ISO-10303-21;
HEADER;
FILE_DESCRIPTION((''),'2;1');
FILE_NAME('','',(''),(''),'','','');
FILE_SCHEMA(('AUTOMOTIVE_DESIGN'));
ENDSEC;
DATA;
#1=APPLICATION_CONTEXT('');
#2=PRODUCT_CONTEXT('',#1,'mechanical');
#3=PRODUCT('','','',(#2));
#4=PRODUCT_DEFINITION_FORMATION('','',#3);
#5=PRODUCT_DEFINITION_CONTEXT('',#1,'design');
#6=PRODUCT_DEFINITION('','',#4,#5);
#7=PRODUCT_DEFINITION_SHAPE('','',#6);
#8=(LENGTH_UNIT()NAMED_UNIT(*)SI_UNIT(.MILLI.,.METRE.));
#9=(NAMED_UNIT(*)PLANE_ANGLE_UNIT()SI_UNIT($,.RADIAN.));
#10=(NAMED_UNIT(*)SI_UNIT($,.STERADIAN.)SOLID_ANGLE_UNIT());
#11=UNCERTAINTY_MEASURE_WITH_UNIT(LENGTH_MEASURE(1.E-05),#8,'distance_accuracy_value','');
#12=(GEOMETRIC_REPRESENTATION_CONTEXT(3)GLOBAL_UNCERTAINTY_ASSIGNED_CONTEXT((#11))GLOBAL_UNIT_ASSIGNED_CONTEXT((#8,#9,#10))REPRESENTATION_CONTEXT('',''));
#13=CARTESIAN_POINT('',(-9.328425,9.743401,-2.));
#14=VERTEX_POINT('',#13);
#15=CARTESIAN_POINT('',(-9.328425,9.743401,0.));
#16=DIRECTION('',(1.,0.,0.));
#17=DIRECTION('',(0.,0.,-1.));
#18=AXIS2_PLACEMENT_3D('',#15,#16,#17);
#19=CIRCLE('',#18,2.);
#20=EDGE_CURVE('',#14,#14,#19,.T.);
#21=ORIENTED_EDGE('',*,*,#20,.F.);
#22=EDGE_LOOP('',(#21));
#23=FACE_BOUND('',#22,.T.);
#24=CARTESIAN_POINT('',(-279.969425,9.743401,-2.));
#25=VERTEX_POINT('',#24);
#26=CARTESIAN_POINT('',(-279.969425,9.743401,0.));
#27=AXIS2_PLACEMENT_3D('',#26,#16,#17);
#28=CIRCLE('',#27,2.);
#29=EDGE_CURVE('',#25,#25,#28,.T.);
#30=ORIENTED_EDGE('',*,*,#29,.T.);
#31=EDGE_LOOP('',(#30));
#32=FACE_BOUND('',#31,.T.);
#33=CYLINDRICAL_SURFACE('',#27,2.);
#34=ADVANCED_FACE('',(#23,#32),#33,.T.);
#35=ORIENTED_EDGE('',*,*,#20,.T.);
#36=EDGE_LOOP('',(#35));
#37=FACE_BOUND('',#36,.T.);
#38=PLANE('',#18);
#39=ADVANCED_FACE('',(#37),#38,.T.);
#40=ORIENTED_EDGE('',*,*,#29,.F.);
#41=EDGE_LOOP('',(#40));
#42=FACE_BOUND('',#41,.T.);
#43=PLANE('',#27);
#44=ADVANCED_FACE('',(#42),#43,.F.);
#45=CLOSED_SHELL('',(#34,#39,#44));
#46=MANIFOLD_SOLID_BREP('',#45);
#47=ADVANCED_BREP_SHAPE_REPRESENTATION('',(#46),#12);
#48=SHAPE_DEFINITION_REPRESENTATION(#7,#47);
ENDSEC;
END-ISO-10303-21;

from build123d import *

# Parameters (mm, degrees)
BOSS_EXTRUDE1_START = -9.328425
SKETCH3_R           = 2
BOSS_EXTRUDE1_DEPTH = 270.641


with BuildPart() as part:
    # Sketch3 → Boss-Extrude1 (new body)
    with BuildSketch(Plane(origin=(0, 0, 0), x_dir=(0, 0, -1), z_dir=(1, 0, 0)).offset(BOSS_EXTRUDE1_START)):
        with Locations((0, 9.743400956)):
            Circle(SKETCH3_R)
    extrude(amount=-BOSS_EXTRUDE1_DEPTH)


solid = part.part
